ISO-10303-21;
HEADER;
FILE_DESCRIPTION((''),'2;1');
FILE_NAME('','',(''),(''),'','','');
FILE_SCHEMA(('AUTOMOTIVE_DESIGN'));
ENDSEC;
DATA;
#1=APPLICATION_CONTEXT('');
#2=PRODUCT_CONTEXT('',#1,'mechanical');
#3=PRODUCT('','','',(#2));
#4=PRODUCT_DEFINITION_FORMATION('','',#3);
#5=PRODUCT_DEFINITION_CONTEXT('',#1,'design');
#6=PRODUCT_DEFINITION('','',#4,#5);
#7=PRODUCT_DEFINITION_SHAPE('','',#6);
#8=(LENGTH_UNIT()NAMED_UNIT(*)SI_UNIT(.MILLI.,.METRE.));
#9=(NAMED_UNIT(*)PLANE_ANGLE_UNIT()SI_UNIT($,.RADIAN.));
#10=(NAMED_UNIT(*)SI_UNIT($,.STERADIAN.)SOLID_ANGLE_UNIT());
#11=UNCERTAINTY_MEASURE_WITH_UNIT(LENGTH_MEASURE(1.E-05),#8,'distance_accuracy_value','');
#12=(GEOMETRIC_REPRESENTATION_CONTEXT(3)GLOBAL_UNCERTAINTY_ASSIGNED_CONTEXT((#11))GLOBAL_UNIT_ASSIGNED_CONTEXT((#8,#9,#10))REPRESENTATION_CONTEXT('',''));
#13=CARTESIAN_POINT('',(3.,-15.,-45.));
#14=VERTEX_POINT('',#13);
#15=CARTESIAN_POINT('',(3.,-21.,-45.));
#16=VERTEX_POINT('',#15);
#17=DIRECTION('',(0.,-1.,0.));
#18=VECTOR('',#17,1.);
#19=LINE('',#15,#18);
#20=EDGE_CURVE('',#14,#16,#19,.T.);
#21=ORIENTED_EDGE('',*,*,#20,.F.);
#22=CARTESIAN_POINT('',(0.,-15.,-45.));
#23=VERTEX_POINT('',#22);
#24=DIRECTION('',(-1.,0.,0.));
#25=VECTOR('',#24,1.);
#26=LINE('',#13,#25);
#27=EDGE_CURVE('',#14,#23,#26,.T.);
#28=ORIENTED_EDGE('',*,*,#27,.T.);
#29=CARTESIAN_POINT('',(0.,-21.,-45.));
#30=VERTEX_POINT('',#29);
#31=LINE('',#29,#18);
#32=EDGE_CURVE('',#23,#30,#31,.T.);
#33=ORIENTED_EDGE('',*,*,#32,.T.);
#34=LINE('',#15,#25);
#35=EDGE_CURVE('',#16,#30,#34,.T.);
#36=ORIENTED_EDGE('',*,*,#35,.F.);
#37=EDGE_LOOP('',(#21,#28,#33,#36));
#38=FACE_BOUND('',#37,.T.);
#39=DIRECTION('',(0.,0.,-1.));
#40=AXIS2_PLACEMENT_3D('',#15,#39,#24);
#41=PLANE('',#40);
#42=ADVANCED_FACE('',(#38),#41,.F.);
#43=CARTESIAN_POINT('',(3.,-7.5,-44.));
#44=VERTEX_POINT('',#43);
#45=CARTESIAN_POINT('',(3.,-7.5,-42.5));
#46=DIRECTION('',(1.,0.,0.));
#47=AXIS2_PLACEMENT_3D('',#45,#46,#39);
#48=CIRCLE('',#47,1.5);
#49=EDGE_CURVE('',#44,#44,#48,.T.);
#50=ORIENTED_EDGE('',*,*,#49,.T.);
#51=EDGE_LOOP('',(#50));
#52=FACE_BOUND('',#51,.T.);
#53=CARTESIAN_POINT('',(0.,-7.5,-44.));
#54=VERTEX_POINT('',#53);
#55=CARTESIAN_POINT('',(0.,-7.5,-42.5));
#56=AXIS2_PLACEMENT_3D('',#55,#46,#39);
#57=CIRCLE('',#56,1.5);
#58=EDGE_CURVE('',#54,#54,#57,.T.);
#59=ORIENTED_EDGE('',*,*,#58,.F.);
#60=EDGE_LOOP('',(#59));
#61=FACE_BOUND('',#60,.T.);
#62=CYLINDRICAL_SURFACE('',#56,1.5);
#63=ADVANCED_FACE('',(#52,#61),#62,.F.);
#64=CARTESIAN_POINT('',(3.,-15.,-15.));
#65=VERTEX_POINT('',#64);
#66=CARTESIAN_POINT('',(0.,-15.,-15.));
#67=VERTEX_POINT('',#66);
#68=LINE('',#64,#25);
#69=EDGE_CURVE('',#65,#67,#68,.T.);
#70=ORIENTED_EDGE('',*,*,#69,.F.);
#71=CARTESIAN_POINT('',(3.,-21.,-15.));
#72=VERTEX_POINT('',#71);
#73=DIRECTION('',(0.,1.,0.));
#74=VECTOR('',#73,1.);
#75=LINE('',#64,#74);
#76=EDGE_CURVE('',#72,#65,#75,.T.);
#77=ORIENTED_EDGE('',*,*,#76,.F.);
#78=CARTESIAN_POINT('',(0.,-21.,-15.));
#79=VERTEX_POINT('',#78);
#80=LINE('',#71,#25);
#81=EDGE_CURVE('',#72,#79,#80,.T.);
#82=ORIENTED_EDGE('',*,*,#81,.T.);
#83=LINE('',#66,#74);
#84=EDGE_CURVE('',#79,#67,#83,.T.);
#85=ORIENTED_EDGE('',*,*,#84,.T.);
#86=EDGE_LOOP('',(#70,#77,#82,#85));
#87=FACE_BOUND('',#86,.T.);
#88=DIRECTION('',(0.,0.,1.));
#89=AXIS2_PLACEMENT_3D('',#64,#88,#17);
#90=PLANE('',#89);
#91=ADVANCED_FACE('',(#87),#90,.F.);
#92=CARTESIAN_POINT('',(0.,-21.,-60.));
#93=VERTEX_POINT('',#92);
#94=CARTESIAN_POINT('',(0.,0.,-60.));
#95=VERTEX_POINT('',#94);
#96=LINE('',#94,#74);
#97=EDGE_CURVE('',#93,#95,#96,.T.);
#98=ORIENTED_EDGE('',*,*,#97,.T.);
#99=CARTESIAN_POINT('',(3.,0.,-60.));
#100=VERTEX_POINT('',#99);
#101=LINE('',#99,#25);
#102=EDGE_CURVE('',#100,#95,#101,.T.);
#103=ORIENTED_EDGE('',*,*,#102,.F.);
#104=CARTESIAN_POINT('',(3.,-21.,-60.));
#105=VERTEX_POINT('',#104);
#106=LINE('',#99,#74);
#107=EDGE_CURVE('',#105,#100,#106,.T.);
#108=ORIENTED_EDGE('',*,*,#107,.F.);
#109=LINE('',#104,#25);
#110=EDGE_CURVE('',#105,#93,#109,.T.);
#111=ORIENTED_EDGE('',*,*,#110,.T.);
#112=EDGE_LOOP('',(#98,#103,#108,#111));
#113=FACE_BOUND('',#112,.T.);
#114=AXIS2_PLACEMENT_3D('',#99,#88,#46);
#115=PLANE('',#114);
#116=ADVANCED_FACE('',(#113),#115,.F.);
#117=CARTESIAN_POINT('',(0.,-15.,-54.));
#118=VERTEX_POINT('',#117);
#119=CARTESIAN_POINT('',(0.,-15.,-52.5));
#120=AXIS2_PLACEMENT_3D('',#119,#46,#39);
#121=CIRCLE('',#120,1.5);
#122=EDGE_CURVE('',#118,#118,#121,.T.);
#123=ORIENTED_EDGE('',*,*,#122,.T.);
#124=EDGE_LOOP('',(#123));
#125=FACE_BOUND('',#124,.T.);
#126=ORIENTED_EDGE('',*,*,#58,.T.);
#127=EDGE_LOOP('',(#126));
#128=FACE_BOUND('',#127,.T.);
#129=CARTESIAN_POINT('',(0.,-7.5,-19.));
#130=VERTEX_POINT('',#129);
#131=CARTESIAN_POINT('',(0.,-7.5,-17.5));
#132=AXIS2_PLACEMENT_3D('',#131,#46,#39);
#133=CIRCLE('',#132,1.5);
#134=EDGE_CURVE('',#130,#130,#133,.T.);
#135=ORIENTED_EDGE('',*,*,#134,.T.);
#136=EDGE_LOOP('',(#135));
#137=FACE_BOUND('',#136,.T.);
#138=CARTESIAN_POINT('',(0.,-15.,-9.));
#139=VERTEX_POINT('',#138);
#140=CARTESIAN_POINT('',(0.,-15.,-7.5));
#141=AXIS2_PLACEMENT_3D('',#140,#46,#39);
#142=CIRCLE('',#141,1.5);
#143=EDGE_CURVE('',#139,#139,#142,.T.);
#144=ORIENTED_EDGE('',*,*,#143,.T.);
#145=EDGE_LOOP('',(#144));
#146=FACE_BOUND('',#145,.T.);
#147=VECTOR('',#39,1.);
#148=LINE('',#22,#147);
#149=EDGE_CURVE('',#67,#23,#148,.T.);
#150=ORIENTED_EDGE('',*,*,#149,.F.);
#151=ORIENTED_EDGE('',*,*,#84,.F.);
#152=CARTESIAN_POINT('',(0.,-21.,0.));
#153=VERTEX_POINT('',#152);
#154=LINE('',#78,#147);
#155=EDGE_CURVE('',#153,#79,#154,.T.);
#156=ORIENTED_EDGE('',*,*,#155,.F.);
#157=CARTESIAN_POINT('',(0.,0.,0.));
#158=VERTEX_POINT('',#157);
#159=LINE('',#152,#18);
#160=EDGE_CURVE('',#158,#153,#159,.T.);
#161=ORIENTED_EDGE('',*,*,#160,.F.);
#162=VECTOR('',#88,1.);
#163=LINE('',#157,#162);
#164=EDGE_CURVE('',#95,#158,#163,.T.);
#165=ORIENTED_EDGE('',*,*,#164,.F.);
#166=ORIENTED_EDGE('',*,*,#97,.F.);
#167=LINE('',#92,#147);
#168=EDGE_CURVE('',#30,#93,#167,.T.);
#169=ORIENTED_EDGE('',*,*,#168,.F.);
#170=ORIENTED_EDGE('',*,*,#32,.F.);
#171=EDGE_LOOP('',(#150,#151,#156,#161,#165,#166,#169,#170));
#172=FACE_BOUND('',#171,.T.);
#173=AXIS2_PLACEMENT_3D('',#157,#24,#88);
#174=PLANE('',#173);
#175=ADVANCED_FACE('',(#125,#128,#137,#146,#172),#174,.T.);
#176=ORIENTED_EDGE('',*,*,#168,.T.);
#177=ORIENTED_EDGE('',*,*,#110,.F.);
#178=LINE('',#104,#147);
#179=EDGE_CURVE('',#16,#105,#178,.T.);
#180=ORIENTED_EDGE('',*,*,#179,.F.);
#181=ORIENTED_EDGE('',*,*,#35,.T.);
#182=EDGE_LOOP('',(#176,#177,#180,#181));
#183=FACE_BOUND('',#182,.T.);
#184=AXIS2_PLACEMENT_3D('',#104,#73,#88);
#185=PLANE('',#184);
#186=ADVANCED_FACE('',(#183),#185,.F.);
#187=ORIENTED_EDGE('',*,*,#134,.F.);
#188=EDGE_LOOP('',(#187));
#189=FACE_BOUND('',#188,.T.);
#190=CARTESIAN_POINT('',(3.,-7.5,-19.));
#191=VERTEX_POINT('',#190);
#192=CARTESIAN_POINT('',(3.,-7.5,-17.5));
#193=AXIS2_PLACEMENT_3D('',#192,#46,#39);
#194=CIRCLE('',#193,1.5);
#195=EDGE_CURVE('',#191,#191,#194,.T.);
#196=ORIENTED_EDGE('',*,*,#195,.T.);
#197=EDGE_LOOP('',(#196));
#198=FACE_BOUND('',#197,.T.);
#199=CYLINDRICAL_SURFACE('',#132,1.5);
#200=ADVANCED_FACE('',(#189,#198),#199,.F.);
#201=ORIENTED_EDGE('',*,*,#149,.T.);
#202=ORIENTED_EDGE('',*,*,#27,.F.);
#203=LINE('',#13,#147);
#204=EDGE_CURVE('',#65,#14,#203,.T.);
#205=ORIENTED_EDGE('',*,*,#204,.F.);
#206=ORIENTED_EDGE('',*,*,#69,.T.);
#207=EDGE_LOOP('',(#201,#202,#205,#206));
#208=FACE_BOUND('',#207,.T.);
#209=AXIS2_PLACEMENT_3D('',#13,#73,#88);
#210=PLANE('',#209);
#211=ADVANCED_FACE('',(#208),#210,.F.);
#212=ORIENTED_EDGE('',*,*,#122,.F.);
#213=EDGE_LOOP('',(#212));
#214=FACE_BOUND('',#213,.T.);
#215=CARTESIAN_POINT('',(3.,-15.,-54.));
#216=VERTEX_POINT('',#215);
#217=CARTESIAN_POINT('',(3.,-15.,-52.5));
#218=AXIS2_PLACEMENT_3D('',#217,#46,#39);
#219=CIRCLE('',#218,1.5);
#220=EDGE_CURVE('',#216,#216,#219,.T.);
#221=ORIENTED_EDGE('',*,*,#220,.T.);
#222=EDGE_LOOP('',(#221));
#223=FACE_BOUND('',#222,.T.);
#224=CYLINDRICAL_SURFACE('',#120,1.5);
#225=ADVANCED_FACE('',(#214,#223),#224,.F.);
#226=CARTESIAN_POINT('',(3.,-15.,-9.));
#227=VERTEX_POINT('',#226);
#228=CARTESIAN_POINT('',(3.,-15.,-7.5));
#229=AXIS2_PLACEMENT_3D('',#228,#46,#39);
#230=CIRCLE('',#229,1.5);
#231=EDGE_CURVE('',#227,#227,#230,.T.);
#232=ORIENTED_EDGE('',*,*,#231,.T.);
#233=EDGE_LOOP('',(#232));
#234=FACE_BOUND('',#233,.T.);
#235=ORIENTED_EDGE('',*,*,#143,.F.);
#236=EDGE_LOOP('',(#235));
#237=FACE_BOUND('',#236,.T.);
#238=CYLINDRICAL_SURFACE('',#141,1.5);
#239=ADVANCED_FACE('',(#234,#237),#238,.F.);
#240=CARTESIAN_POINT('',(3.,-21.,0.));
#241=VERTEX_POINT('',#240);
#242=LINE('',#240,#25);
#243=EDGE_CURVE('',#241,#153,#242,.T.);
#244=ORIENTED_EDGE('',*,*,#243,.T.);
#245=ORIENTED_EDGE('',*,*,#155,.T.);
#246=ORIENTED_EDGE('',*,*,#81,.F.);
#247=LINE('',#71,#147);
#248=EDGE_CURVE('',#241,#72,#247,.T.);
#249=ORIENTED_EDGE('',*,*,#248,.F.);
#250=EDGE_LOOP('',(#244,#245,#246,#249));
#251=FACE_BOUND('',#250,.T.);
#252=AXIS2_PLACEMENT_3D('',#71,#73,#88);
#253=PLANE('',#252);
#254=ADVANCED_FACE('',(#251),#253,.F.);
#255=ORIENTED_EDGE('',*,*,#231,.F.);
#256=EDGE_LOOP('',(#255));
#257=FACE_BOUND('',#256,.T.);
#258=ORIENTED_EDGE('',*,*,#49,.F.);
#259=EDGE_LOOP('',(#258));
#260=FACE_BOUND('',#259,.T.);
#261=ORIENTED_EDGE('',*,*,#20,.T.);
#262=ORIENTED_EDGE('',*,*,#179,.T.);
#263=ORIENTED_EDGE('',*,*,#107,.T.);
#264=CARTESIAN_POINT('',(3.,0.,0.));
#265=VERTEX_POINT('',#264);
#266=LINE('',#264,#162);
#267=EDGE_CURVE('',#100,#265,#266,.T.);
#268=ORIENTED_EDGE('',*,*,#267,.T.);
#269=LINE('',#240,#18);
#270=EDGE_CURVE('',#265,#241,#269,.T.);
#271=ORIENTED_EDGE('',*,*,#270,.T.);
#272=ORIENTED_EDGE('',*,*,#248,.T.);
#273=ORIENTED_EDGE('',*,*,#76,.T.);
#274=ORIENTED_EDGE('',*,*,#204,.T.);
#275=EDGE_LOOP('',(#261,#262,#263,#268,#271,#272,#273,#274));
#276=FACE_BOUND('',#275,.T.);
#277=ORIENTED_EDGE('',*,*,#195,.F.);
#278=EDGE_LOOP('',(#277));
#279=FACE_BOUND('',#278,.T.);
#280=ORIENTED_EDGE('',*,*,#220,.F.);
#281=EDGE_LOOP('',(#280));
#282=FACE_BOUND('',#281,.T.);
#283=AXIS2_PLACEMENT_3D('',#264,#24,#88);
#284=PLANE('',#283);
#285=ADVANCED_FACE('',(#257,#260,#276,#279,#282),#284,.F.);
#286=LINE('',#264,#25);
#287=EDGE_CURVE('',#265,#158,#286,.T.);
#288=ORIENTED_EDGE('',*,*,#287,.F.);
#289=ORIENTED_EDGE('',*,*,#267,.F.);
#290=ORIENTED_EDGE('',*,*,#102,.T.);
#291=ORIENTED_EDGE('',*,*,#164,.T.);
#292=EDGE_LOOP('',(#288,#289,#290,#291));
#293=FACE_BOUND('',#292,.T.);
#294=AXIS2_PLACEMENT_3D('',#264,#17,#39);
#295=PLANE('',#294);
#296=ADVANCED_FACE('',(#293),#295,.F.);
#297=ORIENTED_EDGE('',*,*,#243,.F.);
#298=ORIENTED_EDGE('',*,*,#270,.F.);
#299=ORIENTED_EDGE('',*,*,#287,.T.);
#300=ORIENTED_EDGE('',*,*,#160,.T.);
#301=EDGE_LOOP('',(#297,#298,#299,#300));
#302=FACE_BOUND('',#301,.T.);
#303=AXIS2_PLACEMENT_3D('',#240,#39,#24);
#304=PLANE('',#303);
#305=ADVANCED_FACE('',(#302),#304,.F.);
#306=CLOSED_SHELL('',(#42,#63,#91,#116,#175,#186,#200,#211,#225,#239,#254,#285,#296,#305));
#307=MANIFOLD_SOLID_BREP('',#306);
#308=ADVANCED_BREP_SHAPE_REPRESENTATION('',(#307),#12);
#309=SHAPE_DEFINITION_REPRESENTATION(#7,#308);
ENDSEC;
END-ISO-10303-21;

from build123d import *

# Parameters (mm, degrees)
EXTRUDE_1_DEPTH     = 3
SKETCH_2_R          = 1.5
CUT_EXTRUDE_1_DEPTH = 3


with BuildPart() as part:
    # 草图1 → 凸台-拉伸1 (new body)
    with BuildSketch(Plane(origin=(0, 0, 0), x_dir=(0, 0, -1), z_dir=(1, 0, 0))):
        Polygon((0, 0), (60, 0), (60, -21), (45, -21), (45, -15), (15, -15), (15, -21), (0, -21), align=None)
    extrude(amount=EXTRUDE_1_DEPTH)

    # 草图2 → 切除-拉伸1 (cut)
    with BuildSketch(Plane(origin=(3, 0, 0), x_dir=(0, 0, -1), z_dir=(1, 0, 0))):
        with Locations((42.5, -7.5)):
            Circle(SKETCH_2_R)
        with Locations((17.5, -7.5)):
            Circle(SKETCH_2_R)
        with Locations((52.5, -15)):
            Circle(SKETCH_2_R)
        with Locations((7.5, -15)):
            Circle(SKETCH_2_R)
    extrude(amount=-CUT_EXTRUDE_1_DEPTH, mode=Mode.SUBTRACT)


solid = part.part
